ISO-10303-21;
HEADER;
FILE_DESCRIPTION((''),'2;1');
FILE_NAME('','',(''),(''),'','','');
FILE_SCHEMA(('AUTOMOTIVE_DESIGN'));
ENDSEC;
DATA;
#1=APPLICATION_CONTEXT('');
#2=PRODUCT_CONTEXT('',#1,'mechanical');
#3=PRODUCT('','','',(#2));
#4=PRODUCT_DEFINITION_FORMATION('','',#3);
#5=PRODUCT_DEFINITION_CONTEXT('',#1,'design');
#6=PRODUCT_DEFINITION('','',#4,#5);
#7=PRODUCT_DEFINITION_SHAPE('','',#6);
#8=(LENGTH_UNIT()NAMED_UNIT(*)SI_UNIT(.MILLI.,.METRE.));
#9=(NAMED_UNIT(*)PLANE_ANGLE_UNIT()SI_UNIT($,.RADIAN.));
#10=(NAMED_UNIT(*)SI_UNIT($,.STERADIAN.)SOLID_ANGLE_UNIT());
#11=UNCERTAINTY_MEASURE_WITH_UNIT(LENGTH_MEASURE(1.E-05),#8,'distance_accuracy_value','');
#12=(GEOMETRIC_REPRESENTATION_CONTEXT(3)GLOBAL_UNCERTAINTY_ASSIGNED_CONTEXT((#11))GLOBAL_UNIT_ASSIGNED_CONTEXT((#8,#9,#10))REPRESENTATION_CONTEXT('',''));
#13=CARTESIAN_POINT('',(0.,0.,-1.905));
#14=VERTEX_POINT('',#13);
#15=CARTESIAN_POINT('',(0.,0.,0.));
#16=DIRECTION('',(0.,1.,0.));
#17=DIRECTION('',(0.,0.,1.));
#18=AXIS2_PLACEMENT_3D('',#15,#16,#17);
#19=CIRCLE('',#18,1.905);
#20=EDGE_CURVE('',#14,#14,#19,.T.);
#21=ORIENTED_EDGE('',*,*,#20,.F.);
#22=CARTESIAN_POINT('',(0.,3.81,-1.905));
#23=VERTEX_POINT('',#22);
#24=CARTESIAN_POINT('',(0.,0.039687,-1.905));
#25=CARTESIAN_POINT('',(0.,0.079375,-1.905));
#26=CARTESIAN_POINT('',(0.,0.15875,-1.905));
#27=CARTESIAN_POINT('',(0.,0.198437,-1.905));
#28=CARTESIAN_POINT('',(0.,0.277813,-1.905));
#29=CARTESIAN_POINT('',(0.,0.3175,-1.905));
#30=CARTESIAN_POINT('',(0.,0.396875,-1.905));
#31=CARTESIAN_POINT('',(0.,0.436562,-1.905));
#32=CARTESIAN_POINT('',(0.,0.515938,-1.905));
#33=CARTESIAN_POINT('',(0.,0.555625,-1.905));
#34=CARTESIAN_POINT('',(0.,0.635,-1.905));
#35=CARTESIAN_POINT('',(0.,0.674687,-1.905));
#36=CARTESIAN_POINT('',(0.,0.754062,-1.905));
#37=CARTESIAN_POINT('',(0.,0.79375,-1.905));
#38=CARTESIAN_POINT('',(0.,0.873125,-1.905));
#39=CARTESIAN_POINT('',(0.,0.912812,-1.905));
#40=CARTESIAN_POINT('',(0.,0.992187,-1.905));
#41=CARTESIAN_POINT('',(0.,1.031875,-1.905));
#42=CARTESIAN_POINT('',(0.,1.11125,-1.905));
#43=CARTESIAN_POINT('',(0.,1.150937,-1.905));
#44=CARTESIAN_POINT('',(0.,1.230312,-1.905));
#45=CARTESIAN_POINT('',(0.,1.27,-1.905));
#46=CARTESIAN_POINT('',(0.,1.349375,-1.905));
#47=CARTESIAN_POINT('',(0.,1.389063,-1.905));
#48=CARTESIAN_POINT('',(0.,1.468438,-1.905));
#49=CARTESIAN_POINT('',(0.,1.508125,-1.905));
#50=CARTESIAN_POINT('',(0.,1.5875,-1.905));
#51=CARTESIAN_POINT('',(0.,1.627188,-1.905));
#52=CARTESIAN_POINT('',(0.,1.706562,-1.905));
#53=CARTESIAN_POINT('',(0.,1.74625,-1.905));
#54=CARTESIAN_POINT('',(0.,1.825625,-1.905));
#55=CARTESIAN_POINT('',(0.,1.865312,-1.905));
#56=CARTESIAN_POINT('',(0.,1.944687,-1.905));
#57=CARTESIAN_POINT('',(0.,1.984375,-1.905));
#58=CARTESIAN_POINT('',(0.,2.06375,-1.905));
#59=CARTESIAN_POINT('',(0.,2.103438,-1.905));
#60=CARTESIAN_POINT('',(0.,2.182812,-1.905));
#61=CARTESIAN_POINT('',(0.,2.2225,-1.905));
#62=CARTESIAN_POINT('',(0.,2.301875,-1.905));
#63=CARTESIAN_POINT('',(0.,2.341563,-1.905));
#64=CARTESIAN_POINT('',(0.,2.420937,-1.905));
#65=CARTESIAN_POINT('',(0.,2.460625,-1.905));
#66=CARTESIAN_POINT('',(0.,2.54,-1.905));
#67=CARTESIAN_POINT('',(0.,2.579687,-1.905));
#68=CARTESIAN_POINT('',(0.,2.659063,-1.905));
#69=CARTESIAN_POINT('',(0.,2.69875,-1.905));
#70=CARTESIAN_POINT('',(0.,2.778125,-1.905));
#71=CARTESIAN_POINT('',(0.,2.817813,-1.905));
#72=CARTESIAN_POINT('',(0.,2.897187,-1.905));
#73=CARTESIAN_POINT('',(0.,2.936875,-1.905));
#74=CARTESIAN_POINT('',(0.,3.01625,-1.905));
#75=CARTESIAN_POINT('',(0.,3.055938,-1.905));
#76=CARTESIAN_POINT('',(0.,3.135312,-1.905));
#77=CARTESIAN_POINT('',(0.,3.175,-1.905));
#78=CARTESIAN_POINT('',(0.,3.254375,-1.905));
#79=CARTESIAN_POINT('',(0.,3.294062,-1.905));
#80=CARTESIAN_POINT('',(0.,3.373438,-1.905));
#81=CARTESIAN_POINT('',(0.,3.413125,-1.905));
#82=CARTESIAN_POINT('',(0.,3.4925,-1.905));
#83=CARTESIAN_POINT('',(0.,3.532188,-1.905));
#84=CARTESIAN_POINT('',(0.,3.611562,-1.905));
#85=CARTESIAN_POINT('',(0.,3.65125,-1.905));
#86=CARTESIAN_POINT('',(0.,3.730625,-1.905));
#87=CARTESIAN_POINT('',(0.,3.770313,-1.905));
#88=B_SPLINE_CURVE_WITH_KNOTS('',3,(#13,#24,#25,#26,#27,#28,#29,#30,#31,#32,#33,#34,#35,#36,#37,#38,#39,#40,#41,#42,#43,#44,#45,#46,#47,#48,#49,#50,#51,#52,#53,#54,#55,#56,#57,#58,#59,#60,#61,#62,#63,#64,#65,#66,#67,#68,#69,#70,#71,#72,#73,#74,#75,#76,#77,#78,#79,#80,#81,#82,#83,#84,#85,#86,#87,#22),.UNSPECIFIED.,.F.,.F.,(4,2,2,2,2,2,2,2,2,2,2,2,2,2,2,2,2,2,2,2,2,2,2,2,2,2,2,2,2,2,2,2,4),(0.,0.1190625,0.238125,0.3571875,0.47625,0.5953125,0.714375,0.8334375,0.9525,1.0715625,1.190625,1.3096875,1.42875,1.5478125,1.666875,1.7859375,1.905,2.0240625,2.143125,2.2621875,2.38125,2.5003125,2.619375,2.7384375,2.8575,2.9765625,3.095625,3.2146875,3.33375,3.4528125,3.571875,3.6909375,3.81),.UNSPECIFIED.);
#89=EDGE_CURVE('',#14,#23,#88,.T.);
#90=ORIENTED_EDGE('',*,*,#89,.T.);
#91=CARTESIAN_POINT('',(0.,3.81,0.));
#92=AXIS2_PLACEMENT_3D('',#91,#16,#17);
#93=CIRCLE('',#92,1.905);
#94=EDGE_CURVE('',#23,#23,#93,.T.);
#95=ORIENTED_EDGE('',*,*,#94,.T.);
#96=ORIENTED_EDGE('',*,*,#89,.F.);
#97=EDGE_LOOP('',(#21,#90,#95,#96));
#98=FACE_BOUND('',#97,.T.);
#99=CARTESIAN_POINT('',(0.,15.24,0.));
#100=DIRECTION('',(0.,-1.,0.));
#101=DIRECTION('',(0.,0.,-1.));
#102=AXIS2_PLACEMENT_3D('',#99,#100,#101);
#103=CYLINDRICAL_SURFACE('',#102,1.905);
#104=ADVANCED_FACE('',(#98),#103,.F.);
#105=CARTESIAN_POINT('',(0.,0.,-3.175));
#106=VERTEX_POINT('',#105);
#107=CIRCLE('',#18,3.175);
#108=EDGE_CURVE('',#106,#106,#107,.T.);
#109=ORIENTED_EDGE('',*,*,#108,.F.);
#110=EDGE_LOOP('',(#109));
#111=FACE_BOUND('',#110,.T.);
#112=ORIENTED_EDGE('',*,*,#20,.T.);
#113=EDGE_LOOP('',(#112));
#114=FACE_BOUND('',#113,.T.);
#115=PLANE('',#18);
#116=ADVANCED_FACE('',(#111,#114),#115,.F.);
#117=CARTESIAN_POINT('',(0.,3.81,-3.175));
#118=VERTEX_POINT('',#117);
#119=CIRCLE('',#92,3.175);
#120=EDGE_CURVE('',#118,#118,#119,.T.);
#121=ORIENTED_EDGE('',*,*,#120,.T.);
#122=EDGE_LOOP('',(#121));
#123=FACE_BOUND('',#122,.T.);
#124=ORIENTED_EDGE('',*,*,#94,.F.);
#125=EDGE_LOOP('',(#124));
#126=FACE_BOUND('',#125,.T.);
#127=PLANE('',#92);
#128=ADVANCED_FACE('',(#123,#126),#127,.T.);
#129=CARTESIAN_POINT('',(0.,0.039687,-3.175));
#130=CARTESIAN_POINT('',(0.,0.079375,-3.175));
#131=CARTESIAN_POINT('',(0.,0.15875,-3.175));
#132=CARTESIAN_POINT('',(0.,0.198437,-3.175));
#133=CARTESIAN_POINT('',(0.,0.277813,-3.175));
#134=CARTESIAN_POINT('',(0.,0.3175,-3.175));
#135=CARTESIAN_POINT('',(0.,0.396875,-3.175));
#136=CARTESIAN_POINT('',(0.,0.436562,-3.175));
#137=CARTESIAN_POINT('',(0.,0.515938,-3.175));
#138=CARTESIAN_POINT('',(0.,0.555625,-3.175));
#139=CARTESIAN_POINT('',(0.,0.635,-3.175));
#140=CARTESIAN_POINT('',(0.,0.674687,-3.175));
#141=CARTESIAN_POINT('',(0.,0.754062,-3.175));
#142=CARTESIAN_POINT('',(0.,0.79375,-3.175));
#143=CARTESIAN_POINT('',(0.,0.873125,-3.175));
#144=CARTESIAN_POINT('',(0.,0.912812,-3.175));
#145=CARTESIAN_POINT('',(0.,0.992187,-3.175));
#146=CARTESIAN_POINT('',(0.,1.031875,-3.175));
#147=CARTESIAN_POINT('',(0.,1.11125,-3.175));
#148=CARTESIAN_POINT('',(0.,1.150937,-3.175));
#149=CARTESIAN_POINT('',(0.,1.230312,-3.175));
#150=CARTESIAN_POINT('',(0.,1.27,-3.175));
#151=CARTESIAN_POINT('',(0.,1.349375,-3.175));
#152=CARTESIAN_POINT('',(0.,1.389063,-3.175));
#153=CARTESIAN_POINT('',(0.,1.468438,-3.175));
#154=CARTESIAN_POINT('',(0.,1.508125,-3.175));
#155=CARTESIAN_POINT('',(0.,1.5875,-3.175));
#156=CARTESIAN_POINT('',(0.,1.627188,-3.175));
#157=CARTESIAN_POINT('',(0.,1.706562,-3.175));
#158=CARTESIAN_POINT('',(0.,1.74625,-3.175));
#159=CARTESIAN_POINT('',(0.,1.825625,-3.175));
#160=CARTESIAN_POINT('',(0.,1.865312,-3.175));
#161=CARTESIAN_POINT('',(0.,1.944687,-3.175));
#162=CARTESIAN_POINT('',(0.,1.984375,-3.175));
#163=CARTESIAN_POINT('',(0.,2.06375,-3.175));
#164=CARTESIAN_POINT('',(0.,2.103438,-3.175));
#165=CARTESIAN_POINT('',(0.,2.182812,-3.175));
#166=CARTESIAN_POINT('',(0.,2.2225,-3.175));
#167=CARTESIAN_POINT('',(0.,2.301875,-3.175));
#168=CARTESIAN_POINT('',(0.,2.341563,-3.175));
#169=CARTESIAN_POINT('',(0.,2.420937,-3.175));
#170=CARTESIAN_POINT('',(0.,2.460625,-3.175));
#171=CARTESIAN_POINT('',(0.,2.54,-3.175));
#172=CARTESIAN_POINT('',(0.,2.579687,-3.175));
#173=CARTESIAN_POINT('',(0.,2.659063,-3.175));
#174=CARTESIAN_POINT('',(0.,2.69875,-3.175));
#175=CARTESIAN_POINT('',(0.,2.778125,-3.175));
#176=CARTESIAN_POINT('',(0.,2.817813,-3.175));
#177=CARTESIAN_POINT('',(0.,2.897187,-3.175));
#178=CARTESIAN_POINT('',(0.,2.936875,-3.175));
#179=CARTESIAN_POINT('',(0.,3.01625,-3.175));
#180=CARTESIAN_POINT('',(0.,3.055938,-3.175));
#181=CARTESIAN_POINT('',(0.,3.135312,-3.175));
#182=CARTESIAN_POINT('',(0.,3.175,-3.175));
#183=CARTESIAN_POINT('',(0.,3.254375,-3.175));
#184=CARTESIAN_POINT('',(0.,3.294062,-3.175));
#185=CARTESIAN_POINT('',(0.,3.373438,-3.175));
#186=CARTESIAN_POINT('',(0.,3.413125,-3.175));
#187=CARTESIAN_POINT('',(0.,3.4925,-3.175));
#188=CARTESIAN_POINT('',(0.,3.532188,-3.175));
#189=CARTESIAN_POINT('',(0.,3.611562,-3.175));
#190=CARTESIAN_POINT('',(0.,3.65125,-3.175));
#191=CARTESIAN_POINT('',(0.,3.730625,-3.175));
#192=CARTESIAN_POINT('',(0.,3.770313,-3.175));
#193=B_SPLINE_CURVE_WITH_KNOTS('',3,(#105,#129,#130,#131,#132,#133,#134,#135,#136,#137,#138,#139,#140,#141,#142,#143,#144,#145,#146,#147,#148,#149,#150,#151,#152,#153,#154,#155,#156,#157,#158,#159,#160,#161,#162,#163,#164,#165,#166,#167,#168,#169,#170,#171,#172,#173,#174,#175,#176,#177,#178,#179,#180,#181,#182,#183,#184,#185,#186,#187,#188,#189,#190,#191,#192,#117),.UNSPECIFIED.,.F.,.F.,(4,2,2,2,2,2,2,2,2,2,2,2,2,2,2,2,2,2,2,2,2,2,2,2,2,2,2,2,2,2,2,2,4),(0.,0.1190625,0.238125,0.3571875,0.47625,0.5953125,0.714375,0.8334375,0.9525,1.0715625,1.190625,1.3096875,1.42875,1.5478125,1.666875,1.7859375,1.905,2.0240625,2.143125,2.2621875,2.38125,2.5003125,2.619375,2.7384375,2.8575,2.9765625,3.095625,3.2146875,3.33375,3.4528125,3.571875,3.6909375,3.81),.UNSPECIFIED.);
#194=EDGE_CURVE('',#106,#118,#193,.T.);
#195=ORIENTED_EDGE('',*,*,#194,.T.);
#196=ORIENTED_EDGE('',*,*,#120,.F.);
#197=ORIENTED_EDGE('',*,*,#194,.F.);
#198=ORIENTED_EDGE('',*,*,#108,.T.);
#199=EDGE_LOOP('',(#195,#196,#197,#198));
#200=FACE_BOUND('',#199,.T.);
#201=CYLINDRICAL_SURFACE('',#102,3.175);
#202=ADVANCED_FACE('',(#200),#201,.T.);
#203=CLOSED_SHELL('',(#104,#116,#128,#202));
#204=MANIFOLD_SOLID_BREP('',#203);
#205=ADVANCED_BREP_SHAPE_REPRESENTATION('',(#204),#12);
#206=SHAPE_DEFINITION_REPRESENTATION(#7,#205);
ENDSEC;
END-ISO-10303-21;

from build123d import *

# Parameters (mm, degrees)
SKETCH1_R           = 3.175
SKETCH1_R_2         = 1.905
BOSS_EXTRUDE1_DEPTH = 15.24
SKETCH2_R           = 3.601177488
CUT_EXTRUDE1_DEPTH  = 11.43


with BuildPart() as part:
    # Sketch1 → Boss-Extrude1 (new body)
    with BuildSketch(Plane(origin=(0, 0, 0), x_dir=(1, 0, 0), z_dir=(0, 1, 0))):
        with Locations(Location((0, 0, 0), (0, 0, 90))):
            Circle(SKETCH1_R)
        with Locations(Location((0, 0, 0), (0, 0, 90))):
            Circle(SKETCH1_R_2, mode=Mode.SUBTRACT)
    extrude(amount=BOSS_EXTRUDE1_DEPTH)

    # Sketch2 → Cut-Extrude1 (cut)
    with BuildSketch(Plane(origin=(0, 15.24, 0), x_dir=(1, 0, 0), z_dir=(0, 1, 0))):
        Circle(SKETCH2_R)
    extrude(amount=-CUT_EXTRUDE1_DEPTH, mode=Mode.SUBTRACT)


solid = part.part
